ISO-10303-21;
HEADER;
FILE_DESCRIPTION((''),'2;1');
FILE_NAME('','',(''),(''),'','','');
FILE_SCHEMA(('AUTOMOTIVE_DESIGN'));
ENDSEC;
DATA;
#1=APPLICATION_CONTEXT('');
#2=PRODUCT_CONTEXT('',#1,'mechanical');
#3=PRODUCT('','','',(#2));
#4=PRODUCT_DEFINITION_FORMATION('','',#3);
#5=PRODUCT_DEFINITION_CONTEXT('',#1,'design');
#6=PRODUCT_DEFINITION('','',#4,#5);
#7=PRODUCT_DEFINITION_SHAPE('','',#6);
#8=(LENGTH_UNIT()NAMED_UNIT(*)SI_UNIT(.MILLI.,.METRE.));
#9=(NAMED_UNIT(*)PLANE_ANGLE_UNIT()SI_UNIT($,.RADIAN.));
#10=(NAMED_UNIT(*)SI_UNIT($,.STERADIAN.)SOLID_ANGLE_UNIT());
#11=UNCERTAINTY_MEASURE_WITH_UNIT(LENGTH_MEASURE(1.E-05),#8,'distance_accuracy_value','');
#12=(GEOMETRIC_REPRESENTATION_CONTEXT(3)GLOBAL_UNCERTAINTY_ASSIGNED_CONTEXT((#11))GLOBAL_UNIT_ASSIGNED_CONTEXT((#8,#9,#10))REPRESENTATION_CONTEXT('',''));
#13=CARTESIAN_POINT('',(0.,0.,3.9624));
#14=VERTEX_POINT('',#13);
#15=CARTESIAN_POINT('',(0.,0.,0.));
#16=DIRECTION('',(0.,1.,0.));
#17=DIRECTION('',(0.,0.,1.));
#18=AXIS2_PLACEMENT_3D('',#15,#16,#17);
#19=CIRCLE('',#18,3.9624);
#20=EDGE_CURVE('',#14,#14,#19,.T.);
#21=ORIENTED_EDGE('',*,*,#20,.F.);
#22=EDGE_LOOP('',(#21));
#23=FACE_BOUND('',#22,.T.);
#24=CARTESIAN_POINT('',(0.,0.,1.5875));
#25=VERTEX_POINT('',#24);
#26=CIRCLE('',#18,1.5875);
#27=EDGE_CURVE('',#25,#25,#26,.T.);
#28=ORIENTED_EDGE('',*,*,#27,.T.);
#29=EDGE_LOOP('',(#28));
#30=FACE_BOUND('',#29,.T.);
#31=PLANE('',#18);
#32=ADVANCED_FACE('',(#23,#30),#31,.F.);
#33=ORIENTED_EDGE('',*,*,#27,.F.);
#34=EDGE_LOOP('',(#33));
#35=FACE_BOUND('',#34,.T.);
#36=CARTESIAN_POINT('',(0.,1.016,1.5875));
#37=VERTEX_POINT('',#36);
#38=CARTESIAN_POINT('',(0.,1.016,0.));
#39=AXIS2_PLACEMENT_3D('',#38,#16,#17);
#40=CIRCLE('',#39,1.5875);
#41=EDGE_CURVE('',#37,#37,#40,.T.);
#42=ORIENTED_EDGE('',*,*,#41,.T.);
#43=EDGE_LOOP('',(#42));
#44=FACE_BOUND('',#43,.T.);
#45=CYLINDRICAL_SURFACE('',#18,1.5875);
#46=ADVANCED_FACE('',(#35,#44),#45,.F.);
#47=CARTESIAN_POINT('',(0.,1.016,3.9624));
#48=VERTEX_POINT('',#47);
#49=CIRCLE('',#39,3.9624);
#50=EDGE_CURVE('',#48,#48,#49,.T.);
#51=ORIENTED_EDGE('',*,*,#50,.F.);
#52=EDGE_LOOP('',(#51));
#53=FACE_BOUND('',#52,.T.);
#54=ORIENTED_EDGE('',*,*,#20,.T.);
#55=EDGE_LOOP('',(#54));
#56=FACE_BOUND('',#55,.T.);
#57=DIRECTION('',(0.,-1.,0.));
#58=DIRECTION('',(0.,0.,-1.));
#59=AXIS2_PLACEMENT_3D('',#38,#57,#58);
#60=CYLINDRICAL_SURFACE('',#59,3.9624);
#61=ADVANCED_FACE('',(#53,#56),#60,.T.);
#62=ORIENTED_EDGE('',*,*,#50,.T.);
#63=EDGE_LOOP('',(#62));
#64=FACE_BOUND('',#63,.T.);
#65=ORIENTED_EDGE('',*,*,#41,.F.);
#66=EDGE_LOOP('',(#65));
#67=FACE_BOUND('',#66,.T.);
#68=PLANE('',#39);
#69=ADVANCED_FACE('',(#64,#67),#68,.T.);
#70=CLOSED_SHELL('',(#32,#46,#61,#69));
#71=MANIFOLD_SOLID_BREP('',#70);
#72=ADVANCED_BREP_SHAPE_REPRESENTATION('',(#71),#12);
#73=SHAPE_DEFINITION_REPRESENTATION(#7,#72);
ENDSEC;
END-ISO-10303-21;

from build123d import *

# Parameters (mm, degrees)
SKETCH1_R           = 3.9624
BOSS_EXTRUDE1_DEPTH = 1.016
SKETCH5_R           = 1.5875
CUT_EXTRUDE1_DEPTH  = 2.016


with BuildPart() as part:
    # Sketch1 → Boss-Extrude1 (new body)
    with BuildSketch(Plane(origin=(0, 0, 0), x_dir=(1, 0, 0), z_dir=(0, 1, 0))):
        Circle(SKETCH1_R)
    extrude(amount=BOSS_EXTRUDE1_DEPTH)

    # Sketch5 → Cut-Extrude1 (cut, through all)
    with BuildSketch(Plane(origin=(0, 1.016, 0), x_dir=(-1, 0, 0), z_dir=(0, 1, 0))):
        Circle(SKETCH5_R)
    extrude(amount=-CUT_EXTRUDE1_DEPTH, mode=Mode.SUBTRACT)


solid = part.part
